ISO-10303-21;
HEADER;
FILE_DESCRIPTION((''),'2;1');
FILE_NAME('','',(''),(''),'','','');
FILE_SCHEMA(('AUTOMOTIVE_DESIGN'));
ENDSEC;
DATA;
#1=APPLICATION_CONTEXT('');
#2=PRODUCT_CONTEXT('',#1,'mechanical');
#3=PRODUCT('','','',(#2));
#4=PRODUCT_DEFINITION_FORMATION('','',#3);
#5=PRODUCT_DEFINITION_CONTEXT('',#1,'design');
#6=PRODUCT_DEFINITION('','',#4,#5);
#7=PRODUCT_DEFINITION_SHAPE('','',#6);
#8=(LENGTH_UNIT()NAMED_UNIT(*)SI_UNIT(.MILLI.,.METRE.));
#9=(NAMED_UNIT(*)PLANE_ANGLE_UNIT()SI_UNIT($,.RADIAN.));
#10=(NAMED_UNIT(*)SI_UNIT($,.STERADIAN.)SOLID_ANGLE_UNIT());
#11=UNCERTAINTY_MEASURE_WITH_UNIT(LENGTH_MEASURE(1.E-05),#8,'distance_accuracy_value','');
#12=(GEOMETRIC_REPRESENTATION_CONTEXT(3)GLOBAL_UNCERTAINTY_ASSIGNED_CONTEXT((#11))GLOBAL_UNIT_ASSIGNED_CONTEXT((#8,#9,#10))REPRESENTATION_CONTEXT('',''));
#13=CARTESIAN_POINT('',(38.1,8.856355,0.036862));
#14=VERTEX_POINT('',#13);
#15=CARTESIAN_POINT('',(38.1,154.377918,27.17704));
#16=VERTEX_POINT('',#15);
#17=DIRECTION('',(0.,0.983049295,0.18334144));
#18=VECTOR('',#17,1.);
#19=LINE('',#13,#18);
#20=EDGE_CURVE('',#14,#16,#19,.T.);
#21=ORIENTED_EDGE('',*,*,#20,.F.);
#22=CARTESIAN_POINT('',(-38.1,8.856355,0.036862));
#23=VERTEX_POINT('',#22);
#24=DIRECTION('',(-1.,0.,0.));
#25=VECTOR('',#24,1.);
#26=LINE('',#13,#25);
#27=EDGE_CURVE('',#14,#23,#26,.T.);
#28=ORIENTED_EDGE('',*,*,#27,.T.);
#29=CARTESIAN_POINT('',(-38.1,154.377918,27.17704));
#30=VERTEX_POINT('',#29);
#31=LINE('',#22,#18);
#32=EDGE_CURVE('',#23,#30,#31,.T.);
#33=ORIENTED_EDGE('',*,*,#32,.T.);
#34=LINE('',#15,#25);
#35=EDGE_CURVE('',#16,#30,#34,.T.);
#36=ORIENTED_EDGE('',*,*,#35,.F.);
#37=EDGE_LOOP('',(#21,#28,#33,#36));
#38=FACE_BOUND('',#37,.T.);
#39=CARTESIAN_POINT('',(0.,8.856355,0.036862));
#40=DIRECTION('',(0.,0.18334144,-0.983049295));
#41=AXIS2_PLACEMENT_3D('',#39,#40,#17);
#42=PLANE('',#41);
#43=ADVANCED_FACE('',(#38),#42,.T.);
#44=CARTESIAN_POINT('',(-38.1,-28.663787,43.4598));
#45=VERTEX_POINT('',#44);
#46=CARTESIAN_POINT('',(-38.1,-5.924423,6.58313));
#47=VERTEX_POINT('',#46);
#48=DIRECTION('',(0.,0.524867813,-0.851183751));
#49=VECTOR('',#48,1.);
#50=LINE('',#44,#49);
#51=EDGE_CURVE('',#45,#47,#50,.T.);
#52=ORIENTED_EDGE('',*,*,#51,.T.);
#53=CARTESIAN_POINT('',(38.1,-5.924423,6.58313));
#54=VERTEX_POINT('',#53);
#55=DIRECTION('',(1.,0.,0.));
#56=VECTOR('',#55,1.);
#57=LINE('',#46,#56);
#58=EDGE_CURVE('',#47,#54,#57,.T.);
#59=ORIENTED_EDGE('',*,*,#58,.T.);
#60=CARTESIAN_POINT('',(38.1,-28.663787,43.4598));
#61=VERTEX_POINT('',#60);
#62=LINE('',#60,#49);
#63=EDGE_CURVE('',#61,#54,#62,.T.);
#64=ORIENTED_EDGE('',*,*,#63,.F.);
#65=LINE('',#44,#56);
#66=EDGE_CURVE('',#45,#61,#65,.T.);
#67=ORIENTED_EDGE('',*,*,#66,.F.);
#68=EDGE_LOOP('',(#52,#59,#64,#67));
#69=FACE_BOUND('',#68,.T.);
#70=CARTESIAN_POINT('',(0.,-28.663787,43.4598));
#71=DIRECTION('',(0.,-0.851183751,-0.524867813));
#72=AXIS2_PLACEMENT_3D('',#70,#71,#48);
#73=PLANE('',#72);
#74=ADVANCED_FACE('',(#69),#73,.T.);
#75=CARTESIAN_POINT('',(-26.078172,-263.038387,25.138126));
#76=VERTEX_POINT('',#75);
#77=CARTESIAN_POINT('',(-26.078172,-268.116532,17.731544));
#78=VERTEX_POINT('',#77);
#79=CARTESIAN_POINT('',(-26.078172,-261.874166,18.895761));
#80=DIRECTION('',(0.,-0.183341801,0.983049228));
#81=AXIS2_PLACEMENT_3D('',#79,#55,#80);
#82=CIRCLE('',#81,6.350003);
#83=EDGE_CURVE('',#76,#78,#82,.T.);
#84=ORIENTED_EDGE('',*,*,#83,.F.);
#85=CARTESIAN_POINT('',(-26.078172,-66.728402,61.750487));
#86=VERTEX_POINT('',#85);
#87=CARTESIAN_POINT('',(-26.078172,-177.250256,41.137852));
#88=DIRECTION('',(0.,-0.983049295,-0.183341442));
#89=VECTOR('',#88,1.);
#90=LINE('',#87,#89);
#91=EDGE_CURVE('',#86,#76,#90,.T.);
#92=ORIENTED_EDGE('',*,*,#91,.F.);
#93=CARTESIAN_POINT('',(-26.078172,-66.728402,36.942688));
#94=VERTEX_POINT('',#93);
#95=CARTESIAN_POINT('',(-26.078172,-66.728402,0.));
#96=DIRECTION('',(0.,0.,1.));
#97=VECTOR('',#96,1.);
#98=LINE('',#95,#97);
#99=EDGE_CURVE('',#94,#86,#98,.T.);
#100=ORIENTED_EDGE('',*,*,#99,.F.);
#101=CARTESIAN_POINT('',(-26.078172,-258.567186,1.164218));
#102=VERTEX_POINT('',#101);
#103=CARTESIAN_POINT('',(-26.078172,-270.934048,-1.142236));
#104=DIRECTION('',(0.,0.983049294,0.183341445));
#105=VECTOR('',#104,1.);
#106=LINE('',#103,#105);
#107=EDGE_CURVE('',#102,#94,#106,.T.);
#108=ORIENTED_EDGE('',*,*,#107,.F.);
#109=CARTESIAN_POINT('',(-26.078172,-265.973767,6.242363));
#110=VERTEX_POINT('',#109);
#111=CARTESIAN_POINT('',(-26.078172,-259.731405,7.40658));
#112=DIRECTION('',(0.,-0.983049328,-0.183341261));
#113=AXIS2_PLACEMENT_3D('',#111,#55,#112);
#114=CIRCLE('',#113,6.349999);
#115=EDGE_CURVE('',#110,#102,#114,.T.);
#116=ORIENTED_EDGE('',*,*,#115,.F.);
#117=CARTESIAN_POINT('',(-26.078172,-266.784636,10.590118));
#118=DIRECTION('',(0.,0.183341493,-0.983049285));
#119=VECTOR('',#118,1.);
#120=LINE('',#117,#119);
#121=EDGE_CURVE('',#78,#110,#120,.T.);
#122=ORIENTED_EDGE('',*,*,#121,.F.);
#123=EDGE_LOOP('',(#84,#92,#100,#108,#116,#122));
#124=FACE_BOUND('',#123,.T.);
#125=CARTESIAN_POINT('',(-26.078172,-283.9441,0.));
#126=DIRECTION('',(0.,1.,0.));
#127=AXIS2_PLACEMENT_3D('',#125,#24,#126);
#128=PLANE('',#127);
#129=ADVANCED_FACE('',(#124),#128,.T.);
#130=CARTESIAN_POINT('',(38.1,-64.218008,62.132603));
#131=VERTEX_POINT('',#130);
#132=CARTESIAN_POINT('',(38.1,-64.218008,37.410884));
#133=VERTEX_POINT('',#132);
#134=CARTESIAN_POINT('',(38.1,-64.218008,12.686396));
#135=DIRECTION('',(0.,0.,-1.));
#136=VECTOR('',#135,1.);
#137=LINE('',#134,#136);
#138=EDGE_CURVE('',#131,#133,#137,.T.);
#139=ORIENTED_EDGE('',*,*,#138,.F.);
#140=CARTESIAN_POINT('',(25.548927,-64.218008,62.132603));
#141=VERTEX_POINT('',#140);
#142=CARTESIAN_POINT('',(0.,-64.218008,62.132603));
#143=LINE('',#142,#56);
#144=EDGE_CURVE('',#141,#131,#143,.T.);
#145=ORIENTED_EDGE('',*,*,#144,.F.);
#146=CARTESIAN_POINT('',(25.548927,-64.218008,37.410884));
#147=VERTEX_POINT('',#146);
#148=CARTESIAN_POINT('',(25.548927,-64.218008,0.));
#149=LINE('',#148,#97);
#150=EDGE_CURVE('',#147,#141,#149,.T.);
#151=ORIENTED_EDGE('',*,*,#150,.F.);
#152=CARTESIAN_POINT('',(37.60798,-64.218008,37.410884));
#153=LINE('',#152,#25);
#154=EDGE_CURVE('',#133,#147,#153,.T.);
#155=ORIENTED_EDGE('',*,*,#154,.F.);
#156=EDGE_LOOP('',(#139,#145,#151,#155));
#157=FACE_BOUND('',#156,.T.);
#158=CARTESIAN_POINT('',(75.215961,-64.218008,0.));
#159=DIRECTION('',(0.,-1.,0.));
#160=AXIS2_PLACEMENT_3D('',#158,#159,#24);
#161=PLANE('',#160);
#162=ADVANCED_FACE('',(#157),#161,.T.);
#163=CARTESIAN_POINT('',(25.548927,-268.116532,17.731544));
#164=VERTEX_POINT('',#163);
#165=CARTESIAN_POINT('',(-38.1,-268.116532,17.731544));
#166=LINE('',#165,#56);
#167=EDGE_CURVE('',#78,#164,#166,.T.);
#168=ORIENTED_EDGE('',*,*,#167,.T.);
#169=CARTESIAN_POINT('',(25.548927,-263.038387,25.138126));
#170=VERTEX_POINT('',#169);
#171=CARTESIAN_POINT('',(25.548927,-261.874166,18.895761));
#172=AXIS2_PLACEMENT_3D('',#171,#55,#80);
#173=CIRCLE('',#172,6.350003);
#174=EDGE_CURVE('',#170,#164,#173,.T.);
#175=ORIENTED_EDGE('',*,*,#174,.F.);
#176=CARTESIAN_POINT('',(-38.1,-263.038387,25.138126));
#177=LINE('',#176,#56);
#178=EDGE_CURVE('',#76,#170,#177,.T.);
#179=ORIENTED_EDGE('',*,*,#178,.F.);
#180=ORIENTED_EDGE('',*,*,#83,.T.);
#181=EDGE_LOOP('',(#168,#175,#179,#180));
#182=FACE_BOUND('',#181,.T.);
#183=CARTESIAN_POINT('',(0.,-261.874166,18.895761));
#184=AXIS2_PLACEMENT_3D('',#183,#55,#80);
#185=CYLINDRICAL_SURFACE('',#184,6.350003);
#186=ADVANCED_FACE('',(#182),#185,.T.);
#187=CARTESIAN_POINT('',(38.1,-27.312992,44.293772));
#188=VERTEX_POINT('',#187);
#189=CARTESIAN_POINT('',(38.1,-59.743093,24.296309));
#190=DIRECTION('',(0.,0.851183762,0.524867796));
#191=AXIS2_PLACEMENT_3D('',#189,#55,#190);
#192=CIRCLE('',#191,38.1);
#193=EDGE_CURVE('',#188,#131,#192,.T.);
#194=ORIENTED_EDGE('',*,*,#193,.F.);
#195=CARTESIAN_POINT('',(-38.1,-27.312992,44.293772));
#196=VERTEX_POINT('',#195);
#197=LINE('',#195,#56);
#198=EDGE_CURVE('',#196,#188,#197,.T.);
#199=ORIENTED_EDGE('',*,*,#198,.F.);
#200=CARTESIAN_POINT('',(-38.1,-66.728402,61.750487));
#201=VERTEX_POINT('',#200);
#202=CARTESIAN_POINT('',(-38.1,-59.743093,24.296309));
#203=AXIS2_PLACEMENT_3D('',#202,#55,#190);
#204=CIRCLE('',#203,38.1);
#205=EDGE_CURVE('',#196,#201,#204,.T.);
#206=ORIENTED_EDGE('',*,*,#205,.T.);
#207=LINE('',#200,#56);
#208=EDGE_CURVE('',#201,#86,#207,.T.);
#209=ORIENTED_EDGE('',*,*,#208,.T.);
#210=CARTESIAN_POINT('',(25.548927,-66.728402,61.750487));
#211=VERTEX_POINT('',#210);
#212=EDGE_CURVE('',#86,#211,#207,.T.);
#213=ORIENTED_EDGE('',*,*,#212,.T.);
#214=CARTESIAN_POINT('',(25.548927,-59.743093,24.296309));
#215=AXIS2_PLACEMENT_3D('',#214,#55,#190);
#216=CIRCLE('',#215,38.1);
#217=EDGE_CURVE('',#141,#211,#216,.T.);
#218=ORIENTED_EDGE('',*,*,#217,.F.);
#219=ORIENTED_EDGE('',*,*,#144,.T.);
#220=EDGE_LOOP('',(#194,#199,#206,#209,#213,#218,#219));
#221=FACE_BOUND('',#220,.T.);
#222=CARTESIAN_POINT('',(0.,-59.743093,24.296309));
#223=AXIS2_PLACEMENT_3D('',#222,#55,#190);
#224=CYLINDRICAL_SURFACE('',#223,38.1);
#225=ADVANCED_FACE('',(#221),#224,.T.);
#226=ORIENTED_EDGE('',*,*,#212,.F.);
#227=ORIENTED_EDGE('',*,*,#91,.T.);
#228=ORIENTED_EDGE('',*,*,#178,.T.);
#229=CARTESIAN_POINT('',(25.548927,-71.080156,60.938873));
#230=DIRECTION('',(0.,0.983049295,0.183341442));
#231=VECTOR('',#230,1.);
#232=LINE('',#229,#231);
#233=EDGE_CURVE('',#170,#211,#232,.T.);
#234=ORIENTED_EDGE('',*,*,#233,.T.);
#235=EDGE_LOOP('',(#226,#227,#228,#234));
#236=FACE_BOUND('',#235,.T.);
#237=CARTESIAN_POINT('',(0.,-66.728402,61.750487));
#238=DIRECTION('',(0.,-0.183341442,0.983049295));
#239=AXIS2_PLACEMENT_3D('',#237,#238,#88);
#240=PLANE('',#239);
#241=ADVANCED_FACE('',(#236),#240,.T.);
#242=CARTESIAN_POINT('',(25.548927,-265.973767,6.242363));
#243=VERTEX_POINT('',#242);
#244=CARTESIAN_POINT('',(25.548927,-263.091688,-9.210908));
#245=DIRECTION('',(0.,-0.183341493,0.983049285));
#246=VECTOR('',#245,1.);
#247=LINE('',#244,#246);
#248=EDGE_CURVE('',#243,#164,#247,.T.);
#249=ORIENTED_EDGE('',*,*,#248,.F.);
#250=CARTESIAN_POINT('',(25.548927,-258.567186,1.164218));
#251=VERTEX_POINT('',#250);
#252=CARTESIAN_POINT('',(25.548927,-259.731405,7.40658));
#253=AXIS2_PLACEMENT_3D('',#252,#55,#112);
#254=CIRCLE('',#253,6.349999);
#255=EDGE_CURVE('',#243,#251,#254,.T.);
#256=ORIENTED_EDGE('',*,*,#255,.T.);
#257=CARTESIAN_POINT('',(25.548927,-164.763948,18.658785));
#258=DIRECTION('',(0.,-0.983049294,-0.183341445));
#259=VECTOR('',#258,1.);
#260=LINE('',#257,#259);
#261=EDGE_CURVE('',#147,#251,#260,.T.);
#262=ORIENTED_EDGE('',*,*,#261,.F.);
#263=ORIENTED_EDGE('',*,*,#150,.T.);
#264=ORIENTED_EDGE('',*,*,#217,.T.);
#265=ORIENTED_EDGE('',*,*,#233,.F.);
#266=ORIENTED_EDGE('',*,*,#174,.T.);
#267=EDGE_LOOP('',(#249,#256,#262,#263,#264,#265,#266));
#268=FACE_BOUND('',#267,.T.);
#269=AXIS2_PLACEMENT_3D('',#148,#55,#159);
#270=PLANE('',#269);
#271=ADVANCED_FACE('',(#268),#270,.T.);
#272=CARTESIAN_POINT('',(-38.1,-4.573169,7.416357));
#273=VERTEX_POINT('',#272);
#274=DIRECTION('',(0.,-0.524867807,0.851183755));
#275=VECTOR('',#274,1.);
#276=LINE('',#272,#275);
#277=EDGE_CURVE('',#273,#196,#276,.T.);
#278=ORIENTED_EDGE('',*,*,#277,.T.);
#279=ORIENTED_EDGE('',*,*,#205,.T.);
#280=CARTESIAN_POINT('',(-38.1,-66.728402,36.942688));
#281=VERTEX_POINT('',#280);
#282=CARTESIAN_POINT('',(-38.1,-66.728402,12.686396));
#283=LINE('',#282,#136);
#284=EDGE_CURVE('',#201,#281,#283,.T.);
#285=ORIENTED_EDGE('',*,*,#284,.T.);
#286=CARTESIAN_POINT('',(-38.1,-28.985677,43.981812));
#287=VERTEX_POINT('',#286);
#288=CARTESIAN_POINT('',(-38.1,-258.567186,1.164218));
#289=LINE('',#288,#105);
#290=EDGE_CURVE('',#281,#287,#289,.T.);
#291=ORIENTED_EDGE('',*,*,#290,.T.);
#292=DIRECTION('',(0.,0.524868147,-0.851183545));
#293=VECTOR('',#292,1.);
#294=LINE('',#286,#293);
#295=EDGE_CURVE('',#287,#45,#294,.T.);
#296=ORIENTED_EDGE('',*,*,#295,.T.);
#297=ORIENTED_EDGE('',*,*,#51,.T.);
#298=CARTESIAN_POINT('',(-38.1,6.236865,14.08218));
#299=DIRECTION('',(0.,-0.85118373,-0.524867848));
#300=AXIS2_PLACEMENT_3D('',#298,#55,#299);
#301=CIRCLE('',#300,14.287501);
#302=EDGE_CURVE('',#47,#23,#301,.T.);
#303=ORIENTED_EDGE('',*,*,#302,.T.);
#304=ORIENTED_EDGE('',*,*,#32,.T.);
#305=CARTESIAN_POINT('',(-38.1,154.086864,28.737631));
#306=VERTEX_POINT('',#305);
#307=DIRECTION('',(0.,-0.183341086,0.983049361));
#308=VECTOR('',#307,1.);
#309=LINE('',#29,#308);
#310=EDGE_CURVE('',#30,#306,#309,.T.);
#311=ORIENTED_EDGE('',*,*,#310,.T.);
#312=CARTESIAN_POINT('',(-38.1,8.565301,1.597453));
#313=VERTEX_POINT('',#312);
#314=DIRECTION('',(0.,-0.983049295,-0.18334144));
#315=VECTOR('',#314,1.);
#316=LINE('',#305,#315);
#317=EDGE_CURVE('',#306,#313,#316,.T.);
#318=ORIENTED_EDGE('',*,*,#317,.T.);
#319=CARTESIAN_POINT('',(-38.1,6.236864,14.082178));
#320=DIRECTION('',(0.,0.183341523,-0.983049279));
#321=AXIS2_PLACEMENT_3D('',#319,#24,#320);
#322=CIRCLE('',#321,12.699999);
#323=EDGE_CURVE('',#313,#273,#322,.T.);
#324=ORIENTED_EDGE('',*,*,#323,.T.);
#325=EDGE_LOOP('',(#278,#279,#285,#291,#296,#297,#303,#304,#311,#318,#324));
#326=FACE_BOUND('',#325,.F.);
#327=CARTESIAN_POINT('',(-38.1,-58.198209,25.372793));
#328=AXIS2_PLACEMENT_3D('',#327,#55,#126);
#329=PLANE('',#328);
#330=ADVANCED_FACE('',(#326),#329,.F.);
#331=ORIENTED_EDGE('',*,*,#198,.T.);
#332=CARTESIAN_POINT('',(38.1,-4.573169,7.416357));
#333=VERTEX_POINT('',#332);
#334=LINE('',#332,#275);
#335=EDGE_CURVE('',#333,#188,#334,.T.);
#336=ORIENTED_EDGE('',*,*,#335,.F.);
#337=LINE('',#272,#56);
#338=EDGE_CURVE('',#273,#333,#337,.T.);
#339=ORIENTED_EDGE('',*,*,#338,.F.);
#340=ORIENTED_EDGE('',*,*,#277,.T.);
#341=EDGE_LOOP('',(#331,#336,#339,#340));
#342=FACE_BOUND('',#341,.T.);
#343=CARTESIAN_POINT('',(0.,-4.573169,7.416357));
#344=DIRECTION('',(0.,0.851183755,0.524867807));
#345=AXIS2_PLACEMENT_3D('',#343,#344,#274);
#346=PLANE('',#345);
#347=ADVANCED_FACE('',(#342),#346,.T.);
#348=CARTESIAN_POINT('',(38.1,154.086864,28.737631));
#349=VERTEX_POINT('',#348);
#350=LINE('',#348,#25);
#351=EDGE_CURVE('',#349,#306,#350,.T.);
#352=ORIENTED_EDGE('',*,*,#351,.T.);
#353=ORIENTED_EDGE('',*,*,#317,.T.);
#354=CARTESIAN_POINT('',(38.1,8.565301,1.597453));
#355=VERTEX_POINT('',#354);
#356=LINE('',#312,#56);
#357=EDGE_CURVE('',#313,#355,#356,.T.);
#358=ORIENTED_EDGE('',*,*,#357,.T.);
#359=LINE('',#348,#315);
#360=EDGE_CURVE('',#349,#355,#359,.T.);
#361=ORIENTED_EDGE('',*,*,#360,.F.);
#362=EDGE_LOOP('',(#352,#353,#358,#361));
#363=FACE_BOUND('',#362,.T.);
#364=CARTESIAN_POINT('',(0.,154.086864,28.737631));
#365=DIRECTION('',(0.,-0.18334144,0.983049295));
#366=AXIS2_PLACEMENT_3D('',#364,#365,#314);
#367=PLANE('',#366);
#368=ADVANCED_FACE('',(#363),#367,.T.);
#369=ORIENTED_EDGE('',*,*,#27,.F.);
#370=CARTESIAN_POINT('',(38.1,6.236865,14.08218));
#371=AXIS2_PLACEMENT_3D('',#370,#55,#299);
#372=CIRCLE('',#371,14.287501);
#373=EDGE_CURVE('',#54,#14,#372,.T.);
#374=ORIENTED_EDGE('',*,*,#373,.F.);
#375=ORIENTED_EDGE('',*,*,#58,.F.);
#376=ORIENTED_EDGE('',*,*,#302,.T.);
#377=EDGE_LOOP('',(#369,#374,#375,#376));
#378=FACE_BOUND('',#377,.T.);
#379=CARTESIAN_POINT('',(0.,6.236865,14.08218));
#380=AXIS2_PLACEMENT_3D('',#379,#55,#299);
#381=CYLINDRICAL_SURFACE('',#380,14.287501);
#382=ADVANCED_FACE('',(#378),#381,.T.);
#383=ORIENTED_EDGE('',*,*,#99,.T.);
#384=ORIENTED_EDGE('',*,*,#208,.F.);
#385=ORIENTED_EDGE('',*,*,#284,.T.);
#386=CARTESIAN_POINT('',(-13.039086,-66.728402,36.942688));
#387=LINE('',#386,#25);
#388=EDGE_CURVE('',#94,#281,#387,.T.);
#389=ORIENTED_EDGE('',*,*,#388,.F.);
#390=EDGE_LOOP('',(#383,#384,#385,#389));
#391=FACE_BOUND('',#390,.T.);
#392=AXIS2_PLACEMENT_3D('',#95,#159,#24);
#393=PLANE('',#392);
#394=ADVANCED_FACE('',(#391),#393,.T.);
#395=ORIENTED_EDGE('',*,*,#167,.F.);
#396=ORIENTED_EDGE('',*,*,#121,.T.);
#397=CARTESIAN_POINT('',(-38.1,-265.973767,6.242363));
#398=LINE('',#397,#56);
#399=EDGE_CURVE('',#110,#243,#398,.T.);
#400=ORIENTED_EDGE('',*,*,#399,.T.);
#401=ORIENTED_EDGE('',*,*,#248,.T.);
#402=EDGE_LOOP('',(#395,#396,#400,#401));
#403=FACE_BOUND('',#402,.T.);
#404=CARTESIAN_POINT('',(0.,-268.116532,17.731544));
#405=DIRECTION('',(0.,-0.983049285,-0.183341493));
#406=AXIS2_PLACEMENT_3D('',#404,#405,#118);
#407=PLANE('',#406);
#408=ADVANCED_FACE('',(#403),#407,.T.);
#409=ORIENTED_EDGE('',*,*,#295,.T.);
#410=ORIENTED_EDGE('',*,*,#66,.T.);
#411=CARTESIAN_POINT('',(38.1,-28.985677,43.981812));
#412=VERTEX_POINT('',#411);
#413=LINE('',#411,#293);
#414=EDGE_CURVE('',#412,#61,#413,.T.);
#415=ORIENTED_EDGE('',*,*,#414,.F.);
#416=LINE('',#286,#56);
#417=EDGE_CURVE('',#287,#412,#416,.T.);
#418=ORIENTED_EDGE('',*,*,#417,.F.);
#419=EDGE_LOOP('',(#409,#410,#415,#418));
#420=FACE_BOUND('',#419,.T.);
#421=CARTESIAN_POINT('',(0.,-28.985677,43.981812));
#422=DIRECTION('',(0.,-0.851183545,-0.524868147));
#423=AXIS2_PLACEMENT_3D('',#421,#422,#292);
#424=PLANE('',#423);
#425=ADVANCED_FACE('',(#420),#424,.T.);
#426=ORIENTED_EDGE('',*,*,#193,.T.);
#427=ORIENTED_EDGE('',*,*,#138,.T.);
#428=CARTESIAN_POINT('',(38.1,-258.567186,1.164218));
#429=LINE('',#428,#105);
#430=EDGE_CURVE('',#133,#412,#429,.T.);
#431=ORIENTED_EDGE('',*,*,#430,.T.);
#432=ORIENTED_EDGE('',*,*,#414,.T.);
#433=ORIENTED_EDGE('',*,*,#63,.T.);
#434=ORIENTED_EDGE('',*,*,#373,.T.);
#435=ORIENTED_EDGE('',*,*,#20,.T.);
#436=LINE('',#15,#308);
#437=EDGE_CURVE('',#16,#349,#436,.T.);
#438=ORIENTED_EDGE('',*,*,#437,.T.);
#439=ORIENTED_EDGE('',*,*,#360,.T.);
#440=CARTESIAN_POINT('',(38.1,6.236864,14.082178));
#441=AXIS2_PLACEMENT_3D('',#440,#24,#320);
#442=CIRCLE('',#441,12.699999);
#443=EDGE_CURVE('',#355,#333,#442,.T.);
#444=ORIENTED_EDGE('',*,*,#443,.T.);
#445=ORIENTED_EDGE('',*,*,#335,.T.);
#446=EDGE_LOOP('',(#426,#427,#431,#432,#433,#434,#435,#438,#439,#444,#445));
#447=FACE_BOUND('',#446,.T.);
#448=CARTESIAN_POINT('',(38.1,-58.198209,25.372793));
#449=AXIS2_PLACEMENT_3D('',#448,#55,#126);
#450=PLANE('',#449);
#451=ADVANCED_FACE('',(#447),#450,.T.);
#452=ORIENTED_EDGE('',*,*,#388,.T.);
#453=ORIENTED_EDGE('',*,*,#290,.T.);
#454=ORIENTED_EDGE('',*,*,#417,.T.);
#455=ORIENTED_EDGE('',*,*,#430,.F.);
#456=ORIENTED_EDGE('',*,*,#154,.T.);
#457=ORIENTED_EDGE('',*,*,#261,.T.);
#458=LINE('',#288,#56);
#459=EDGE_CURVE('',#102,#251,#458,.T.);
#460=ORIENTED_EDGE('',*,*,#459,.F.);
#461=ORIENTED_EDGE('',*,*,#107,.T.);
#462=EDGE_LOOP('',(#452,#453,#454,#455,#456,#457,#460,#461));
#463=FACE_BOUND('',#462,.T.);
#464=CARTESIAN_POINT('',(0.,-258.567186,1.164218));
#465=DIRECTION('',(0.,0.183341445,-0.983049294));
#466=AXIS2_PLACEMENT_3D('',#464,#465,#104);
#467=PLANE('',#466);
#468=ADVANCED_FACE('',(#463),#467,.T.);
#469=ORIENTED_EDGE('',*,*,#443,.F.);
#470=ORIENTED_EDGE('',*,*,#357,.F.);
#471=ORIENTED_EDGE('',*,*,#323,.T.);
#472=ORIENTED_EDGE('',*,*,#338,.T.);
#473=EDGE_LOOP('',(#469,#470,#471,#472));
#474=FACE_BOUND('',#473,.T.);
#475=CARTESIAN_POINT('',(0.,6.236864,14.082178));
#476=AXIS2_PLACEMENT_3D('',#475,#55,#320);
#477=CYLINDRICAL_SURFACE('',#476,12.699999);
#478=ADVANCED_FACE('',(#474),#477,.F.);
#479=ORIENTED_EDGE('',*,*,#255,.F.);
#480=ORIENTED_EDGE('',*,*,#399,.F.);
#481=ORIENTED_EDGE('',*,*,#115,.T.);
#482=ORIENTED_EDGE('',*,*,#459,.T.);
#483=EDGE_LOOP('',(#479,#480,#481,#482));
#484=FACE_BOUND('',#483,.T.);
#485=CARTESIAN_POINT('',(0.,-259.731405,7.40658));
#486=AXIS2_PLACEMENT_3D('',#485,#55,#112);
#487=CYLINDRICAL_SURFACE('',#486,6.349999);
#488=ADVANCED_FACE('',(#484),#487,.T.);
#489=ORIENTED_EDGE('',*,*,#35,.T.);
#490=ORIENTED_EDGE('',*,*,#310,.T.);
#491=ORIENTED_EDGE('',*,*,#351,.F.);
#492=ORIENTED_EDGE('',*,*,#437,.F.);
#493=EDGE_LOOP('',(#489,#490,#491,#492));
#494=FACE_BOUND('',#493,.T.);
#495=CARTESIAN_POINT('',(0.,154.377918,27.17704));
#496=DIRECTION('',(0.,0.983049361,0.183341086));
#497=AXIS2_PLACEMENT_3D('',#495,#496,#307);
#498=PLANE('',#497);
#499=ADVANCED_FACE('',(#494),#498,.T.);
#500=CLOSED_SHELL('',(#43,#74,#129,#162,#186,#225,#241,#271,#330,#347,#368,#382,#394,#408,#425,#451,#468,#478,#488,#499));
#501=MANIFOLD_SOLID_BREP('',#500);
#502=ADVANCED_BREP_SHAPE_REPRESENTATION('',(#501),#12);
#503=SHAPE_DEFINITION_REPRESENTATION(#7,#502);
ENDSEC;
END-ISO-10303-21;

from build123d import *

# Parameters (mm, degrees)
F1_DEPTH = 38.1
F3_DEPTH = 128.12069


with BuildPart() as f1:
    # F0 (on Right) → F1 (new body, symmetric)
    with BuildSketch(Plane.YZ):
        with BuildLine():
            Line((154.086864, 28.737631), (8.565301, 1.597453))
            ThreePointArc((8.565301, 1.597453), (1.093978, 2.470085), (-4.573169, 7.416357))
            Line((-4.573169, 7.416357), (-27.312992, 44.293772))
            ThreePointArc((-27.312992, 44.293772), (-44.314432, 59.132589), (-66.728402, 61.750487))
            Line((-66.728402, 61.750487), (-263.038387, 25.138126))
            ThreePointArc((-263.038387, 25.138126), (-267.111412, 22.486553), (-268.116532, 17.731544))
            Line((-268.116532, 17.731544), (-265.973767, 6.242363))
            ThreePointArc((-265.973767, 6.242363), (-263.322195, 2.169337), (-258.567186, 1.164218))
            Line((-258.567186, 1.164218), (-28.985677, 43.981812))
            Line((-28.985677, 43.981812), (-28.663787, 43.4598))
            Line((-28.663787, 43.4598), (-5.924423, 6.58313))
            ThreePointArc((-5.924423, 6.58313), (0.451117, 1.018574), (8.856355, 0.036862))
            Line((8.856355, 0.036862), (154.377918, 27.17704))
            Line((154.377918, 27.17704), (154.086864, 28.737631))
        make_face()
    extrude(amount=F1_DEPTH, both=True)

    # F2 (on Top) → F3 (cut)
    with BuildSketch(Plane.XY):
        Polygon((25.548927, -64.218008), (25.548927, -283.9441), (-26.078172, -283.9441), (-26.078172, -66.728402), (-80.359098, -66.728402), (-80.359098, -214.365948), (-85.915339, -313.584719), (82.359712, -321.52224), (75.215961, -64.218008), align=None)
    extrude(amount=F3_DEPTH, mode=Mode.SUBTRACT)


solid = f1.part
